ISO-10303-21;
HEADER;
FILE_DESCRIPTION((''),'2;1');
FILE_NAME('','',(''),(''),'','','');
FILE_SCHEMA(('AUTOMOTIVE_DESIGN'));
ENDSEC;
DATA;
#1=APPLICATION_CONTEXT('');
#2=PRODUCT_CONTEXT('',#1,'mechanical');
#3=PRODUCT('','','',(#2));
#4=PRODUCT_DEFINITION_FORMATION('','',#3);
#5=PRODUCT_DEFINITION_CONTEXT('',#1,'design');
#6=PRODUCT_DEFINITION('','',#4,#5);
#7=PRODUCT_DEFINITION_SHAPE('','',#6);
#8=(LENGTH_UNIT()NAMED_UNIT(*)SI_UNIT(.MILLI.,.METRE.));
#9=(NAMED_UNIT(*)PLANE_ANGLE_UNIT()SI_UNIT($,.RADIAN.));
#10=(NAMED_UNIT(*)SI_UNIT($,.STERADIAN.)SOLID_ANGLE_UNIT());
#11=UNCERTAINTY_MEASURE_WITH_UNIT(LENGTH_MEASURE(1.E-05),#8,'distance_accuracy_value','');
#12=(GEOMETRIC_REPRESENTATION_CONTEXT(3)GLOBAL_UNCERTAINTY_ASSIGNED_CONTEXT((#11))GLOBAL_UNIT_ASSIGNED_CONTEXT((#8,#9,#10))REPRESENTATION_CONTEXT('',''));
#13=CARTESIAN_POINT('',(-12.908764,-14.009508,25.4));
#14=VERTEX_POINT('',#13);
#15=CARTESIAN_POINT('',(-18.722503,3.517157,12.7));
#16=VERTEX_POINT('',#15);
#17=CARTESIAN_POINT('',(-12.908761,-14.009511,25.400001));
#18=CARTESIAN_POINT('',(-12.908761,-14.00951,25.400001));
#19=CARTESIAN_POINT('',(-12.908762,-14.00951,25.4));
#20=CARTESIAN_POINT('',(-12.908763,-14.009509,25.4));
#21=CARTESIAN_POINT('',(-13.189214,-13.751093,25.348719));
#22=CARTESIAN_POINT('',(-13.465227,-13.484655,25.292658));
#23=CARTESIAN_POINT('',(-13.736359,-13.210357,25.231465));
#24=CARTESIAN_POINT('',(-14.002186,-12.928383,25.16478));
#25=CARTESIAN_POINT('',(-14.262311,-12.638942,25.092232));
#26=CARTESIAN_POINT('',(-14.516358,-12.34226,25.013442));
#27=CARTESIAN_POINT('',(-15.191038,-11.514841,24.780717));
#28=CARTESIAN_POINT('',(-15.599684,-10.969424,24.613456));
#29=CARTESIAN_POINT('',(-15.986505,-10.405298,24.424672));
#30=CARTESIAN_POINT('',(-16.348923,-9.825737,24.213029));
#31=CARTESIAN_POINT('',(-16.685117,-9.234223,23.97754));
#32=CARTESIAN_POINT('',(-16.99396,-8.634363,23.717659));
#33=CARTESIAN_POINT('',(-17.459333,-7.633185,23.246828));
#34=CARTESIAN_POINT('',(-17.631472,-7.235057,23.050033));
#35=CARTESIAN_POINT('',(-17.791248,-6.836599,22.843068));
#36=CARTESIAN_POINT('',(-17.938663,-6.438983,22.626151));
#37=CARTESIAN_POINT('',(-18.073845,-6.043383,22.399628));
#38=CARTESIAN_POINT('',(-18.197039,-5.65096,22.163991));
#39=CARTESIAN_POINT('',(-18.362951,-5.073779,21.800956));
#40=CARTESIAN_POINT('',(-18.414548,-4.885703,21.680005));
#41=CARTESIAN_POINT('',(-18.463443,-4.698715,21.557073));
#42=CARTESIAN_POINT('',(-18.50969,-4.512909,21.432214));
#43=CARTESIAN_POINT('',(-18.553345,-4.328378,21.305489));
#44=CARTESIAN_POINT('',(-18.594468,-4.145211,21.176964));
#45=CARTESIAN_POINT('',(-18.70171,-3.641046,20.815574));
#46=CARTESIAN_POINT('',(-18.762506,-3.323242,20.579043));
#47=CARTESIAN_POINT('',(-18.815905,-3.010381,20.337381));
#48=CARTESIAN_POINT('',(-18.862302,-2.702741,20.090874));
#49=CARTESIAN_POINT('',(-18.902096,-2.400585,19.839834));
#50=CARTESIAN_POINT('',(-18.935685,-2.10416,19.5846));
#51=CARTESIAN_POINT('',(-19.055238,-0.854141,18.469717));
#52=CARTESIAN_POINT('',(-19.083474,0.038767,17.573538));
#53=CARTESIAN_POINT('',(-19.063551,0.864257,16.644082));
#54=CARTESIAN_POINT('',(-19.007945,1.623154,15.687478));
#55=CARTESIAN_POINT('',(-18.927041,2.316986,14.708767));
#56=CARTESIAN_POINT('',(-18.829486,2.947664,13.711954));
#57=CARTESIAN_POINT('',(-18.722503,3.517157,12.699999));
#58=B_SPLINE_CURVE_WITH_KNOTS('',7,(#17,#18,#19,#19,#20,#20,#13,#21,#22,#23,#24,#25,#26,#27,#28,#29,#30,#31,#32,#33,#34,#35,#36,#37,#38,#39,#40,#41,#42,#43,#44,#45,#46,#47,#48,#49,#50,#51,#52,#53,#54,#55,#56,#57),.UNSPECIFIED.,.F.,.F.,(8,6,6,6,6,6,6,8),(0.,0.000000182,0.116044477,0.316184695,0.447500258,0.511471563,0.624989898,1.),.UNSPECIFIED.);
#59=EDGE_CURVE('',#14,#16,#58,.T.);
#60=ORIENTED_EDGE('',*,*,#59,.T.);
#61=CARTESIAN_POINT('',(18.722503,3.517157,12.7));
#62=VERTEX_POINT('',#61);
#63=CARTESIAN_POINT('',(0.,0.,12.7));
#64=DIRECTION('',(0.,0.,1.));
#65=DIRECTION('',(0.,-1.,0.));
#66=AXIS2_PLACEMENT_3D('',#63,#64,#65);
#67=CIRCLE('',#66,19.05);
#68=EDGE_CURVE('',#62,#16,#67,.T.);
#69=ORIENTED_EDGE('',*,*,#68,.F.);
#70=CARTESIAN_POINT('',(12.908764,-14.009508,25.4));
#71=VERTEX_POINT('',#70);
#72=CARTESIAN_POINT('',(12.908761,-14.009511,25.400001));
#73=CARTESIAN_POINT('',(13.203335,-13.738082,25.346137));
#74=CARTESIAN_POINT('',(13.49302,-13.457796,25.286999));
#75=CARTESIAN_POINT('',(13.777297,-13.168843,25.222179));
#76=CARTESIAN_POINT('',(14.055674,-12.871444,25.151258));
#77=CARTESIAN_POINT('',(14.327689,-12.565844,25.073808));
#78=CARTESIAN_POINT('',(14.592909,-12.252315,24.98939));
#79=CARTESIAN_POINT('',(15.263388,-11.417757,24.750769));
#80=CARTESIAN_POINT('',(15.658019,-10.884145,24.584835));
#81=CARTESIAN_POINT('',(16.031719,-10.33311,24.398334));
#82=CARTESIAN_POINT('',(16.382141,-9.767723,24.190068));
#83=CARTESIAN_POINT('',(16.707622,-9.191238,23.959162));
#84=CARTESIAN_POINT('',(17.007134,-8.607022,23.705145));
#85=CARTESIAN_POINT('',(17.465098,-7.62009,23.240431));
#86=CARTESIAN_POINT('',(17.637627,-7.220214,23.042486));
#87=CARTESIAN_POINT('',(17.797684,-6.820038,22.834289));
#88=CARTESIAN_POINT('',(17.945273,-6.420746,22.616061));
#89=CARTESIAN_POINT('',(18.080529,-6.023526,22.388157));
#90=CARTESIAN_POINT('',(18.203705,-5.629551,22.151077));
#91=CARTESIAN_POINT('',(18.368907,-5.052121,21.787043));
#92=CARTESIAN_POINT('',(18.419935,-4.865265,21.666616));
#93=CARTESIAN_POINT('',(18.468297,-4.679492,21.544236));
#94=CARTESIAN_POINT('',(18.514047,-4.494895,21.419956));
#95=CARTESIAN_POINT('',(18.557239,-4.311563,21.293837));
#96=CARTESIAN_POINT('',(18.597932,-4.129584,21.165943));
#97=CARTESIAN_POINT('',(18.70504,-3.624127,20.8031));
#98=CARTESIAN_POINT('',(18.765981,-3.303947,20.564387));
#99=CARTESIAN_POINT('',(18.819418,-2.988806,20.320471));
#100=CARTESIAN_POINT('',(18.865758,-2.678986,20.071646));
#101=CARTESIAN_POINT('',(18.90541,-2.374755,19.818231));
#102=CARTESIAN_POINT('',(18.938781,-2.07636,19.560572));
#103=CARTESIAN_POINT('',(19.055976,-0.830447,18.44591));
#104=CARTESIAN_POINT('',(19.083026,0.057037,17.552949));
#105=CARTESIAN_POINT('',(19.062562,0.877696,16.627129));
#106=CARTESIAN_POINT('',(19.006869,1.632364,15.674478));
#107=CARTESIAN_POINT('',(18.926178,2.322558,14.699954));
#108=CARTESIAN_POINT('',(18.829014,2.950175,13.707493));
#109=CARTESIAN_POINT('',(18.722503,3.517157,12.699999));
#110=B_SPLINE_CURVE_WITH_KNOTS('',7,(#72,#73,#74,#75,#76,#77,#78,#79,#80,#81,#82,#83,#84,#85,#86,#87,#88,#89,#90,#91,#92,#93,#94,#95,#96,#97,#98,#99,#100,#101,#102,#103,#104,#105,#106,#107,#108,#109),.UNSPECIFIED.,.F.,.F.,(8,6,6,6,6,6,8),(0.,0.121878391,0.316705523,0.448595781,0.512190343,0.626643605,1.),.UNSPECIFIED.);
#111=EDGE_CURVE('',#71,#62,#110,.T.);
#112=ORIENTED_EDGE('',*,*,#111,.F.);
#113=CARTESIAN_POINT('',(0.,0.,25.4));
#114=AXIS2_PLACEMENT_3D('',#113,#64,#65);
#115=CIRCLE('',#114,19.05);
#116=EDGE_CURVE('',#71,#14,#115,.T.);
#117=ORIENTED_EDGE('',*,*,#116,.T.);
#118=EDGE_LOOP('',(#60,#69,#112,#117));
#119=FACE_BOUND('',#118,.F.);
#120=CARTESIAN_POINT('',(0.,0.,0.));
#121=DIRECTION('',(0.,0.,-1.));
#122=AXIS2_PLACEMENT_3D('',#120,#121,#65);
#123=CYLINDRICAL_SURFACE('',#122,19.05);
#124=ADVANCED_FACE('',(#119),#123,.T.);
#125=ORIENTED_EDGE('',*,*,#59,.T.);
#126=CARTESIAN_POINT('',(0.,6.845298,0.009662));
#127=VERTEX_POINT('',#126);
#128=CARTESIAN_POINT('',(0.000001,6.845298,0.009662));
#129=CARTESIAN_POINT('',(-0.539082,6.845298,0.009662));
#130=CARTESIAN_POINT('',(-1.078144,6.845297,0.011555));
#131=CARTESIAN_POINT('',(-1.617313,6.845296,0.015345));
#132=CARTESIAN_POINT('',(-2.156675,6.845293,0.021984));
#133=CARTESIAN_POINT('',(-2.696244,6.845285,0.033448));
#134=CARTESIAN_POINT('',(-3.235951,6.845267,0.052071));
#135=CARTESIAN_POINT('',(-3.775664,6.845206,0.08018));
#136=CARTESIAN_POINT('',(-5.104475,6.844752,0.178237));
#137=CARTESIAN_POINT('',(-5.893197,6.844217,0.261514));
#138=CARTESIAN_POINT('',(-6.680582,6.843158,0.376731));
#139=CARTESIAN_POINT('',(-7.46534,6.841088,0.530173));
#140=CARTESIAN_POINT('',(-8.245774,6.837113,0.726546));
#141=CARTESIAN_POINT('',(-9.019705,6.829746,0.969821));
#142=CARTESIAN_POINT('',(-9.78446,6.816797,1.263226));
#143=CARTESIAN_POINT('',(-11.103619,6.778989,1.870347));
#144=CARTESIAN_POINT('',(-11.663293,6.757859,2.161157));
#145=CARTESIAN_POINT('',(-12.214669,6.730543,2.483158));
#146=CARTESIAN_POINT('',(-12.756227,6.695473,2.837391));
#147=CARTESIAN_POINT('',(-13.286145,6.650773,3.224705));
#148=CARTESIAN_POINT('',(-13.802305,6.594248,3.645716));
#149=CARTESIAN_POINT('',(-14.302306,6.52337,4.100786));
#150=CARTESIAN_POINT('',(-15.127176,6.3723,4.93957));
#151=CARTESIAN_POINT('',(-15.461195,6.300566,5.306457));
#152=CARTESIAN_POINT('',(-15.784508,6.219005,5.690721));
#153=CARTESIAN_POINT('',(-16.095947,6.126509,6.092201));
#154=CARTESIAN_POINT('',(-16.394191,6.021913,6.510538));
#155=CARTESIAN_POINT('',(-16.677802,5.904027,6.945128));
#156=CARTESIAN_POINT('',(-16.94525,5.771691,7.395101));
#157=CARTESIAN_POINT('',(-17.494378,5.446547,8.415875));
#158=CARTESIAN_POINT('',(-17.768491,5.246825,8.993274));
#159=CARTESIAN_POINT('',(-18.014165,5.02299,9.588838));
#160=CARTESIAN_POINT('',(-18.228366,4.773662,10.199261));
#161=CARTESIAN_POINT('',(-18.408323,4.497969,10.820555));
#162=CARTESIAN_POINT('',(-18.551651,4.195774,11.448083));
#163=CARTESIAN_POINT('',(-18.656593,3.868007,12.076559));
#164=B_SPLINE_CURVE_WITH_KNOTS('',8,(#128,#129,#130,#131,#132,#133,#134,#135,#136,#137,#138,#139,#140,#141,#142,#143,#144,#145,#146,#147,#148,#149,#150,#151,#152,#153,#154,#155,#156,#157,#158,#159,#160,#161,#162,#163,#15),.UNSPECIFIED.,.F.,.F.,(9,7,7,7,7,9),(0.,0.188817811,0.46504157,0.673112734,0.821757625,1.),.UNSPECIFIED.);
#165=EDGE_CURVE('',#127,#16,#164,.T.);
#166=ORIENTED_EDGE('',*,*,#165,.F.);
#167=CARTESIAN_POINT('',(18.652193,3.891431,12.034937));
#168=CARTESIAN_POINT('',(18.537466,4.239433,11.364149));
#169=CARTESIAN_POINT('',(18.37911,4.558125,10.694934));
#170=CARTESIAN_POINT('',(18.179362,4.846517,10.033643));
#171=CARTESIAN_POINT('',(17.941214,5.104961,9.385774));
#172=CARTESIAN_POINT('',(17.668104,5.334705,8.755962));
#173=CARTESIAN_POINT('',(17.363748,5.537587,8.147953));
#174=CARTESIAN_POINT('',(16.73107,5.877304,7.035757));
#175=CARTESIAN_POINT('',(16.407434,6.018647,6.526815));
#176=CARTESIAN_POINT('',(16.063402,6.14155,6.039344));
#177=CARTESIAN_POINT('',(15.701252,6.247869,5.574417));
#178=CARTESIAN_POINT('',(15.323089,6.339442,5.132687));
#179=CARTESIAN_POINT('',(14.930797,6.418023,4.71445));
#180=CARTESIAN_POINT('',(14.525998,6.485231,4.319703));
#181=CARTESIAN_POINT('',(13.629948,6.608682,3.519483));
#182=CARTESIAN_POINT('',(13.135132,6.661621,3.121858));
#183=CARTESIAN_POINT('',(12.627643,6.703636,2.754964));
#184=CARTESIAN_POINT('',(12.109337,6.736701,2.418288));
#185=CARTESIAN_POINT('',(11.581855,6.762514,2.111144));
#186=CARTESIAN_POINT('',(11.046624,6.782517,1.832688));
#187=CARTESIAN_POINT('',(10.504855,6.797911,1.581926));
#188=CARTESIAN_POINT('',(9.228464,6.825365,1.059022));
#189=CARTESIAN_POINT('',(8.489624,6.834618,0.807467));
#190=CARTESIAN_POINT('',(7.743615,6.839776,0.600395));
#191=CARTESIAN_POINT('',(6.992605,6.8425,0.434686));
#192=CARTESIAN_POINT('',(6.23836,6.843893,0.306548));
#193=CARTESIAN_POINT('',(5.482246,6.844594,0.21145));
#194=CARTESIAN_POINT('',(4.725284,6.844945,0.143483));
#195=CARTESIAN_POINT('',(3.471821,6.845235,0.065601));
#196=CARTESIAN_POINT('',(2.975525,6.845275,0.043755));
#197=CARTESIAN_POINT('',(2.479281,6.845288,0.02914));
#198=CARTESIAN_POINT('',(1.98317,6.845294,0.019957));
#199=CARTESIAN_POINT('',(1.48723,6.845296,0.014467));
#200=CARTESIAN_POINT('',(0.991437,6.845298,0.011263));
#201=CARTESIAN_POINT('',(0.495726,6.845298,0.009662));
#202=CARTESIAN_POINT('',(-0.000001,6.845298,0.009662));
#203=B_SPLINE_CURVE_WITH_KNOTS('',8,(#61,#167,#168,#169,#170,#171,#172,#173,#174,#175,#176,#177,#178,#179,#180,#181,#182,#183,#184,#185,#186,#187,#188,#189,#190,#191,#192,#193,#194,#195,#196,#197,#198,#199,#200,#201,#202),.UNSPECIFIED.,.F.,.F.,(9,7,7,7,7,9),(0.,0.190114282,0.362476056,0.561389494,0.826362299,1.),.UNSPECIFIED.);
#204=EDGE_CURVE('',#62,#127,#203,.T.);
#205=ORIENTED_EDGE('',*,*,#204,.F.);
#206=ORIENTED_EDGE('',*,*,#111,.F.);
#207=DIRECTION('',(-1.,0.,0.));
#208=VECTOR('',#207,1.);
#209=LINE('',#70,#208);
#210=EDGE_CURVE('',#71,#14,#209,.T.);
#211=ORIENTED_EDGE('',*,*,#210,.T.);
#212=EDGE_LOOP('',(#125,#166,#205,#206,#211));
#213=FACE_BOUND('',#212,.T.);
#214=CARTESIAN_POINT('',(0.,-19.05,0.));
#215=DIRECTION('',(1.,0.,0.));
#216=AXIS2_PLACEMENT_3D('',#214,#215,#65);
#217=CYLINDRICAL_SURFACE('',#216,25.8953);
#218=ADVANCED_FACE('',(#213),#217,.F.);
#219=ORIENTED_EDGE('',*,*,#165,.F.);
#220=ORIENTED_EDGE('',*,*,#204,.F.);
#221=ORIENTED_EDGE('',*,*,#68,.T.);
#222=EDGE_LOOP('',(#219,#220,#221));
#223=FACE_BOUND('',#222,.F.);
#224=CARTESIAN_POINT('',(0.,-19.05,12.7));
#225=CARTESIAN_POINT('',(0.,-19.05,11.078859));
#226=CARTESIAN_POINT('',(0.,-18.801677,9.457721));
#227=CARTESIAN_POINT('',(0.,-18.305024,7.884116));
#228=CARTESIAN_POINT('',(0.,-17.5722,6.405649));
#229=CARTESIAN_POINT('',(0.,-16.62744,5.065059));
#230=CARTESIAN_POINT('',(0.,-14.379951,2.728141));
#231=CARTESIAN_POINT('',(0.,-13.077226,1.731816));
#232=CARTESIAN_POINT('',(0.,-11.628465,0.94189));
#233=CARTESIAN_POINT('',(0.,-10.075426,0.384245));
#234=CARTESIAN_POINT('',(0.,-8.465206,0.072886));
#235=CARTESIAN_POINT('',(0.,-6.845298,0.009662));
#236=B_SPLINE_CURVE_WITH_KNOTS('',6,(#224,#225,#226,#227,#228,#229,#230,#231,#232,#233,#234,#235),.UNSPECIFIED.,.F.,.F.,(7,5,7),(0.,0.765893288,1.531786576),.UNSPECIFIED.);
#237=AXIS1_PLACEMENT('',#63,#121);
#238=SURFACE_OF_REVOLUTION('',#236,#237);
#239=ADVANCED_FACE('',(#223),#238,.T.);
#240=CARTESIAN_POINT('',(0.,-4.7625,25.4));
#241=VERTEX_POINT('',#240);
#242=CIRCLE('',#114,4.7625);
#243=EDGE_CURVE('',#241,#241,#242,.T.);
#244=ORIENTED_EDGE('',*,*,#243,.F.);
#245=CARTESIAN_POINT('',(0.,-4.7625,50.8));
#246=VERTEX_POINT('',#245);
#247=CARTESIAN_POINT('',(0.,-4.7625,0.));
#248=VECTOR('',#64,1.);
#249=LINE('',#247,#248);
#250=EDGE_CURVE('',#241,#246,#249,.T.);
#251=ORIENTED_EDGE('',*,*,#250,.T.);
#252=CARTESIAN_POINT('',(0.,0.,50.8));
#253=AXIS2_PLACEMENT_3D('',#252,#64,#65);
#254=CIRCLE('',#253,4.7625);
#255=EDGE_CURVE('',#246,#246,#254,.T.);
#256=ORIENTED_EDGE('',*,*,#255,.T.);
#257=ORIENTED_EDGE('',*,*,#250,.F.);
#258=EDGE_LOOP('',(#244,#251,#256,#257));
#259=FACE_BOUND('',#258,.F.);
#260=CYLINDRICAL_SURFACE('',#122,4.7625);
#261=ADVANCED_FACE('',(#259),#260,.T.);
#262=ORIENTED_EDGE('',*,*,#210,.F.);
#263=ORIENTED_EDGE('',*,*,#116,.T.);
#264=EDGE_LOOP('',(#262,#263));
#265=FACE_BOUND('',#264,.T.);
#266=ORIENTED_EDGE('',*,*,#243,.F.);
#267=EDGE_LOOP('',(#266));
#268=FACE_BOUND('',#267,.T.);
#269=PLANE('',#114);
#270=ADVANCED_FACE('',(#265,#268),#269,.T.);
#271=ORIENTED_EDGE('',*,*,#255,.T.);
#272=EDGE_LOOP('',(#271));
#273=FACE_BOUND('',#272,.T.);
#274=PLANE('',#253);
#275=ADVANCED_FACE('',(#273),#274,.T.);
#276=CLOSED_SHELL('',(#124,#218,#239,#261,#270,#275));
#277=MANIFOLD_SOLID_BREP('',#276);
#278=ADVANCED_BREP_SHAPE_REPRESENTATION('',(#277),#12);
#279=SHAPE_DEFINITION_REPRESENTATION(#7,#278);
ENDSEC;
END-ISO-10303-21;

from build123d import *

# Parameters (mm, degrees)
F0_R     = 19.05
F0_R_2   = 4.7625
F1_DEPTH = 25.4
F2_DEPTH = 50.8
F4_R     = 12.7
F3_R     = 25.8953
F5_DEPTH = 19.051
F6_DEPTH = 25.4
F7_ANGLE = 90


with BuildPart() as f1:
    # F0 (on Top) → F1 (new body)
    with BuildSketch(Plane.XY):
        Circle(F0_R)
        Circle(F0_R_2, mode=Mode.SUBTRACT)
    extrude(amount=F1_DEPTH)

    # F0 (on Top) → F2 (join)
    with BuildSketch(Plane.XY):
        Circle(F0_R_2)
    extrude(amount=F2_DEPTH)

    # F4
    f4_edges = [f1.edges().sort_by_distance(p)[0] for p in [
        (-19.05, 0, 0),
    ]]
    fillet(f4_edges, radius=F4_R)

    # F3 (on Front) → F5 (cut, through all)
    with BuildSketch(Plane.XZ):
        with Locations((19.05, 0)):
            Circle(F3_R)
    extrude(amount=-F5_DEPTH, mode=Mode.SUBTRACT)

    # F3 (on Front) → F6 (cut)
    with BuildSketch(Plane.XZ):
        with Locations((19.05, 0)):
            Circle(F3_R)
    extrude(amount=F6_DEPTH, mode=Mode.SUBTRACT)


with BuildPart() as f1_1:
    # F7: moved
    add(f1.part.rotate(Axis((0, 0, 0), (0, 0, -1)), F7_ANGLE))


solid = f1_1.part
